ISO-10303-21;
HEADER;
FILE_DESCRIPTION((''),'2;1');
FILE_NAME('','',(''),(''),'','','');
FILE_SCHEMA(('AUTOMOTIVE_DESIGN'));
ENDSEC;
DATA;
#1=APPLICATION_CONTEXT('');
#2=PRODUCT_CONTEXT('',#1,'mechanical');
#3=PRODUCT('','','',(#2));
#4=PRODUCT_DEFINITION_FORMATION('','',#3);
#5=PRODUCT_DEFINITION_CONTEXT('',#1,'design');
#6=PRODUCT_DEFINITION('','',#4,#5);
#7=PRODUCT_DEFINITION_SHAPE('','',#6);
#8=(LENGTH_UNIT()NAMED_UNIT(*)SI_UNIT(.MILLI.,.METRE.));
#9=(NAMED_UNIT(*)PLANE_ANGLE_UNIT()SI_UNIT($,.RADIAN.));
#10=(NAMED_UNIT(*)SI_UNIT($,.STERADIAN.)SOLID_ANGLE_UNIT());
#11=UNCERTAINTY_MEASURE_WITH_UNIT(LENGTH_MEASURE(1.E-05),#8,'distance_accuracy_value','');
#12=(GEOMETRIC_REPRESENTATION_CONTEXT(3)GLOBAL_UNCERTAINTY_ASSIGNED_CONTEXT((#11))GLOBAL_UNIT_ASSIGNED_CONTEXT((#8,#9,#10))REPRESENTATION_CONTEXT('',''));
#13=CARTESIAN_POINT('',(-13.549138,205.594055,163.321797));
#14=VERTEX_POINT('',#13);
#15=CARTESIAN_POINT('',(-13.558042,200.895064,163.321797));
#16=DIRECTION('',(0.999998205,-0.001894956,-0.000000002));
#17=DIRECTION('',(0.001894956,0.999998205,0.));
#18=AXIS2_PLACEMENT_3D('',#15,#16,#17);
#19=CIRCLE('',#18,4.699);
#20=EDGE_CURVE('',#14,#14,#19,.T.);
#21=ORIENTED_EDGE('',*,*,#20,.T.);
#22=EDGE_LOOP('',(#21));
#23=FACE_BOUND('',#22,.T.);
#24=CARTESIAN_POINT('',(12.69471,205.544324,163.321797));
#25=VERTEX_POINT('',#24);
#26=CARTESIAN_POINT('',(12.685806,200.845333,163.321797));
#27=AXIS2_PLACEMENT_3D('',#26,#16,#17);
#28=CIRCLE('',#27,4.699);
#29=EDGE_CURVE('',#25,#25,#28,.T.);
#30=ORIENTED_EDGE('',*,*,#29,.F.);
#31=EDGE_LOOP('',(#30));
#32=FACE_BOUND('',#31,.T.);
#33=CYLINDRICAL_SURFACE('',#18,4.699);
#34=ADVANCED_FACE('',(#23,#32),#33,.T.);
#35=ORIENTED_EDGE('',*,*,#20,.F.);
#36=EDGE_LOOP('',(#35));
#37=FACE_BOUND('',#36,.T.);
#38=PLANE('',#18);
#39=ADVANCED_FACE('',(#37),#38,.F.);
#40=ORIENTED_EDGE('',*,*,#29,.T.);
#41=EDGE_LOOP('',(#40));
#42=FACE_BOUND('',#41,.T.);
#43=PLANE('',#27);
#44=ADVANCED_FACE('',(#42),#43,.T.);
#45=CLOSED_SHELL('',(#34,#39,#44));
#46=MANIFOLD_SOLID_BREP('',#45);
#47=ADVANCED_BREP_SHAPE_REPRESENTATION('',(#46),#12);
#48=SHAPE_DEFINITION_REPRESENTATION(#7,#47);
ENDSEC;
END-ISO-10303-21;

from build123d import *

# Parameters (mm, degrees)
SWEEP1_PROFILE_R = 4.699


with BuildPart() as part:
    # Sweep1: sweep along a curve in space
    with BuildLine() as sweep1_path:
        Line((-13.558042445, 200.895063598, 163.321796861), (12.685805764, 200.845332568, 163.321796809))
    # Sweep1 profile (on start of the path) → Sweep1 (sweep)
    with BuildSketch(Plane(origin=(-13.558042445, 200.895063598, 163.321796861), x_dir=(0.001894956, 0.999998205, 0), z_dir=(0.999998205, -0.001894956, -2e-09))):
        Circle(SWEEP1_PROFILE_R)
    sweep(path=sweep1_path.line)


solid = part.part
